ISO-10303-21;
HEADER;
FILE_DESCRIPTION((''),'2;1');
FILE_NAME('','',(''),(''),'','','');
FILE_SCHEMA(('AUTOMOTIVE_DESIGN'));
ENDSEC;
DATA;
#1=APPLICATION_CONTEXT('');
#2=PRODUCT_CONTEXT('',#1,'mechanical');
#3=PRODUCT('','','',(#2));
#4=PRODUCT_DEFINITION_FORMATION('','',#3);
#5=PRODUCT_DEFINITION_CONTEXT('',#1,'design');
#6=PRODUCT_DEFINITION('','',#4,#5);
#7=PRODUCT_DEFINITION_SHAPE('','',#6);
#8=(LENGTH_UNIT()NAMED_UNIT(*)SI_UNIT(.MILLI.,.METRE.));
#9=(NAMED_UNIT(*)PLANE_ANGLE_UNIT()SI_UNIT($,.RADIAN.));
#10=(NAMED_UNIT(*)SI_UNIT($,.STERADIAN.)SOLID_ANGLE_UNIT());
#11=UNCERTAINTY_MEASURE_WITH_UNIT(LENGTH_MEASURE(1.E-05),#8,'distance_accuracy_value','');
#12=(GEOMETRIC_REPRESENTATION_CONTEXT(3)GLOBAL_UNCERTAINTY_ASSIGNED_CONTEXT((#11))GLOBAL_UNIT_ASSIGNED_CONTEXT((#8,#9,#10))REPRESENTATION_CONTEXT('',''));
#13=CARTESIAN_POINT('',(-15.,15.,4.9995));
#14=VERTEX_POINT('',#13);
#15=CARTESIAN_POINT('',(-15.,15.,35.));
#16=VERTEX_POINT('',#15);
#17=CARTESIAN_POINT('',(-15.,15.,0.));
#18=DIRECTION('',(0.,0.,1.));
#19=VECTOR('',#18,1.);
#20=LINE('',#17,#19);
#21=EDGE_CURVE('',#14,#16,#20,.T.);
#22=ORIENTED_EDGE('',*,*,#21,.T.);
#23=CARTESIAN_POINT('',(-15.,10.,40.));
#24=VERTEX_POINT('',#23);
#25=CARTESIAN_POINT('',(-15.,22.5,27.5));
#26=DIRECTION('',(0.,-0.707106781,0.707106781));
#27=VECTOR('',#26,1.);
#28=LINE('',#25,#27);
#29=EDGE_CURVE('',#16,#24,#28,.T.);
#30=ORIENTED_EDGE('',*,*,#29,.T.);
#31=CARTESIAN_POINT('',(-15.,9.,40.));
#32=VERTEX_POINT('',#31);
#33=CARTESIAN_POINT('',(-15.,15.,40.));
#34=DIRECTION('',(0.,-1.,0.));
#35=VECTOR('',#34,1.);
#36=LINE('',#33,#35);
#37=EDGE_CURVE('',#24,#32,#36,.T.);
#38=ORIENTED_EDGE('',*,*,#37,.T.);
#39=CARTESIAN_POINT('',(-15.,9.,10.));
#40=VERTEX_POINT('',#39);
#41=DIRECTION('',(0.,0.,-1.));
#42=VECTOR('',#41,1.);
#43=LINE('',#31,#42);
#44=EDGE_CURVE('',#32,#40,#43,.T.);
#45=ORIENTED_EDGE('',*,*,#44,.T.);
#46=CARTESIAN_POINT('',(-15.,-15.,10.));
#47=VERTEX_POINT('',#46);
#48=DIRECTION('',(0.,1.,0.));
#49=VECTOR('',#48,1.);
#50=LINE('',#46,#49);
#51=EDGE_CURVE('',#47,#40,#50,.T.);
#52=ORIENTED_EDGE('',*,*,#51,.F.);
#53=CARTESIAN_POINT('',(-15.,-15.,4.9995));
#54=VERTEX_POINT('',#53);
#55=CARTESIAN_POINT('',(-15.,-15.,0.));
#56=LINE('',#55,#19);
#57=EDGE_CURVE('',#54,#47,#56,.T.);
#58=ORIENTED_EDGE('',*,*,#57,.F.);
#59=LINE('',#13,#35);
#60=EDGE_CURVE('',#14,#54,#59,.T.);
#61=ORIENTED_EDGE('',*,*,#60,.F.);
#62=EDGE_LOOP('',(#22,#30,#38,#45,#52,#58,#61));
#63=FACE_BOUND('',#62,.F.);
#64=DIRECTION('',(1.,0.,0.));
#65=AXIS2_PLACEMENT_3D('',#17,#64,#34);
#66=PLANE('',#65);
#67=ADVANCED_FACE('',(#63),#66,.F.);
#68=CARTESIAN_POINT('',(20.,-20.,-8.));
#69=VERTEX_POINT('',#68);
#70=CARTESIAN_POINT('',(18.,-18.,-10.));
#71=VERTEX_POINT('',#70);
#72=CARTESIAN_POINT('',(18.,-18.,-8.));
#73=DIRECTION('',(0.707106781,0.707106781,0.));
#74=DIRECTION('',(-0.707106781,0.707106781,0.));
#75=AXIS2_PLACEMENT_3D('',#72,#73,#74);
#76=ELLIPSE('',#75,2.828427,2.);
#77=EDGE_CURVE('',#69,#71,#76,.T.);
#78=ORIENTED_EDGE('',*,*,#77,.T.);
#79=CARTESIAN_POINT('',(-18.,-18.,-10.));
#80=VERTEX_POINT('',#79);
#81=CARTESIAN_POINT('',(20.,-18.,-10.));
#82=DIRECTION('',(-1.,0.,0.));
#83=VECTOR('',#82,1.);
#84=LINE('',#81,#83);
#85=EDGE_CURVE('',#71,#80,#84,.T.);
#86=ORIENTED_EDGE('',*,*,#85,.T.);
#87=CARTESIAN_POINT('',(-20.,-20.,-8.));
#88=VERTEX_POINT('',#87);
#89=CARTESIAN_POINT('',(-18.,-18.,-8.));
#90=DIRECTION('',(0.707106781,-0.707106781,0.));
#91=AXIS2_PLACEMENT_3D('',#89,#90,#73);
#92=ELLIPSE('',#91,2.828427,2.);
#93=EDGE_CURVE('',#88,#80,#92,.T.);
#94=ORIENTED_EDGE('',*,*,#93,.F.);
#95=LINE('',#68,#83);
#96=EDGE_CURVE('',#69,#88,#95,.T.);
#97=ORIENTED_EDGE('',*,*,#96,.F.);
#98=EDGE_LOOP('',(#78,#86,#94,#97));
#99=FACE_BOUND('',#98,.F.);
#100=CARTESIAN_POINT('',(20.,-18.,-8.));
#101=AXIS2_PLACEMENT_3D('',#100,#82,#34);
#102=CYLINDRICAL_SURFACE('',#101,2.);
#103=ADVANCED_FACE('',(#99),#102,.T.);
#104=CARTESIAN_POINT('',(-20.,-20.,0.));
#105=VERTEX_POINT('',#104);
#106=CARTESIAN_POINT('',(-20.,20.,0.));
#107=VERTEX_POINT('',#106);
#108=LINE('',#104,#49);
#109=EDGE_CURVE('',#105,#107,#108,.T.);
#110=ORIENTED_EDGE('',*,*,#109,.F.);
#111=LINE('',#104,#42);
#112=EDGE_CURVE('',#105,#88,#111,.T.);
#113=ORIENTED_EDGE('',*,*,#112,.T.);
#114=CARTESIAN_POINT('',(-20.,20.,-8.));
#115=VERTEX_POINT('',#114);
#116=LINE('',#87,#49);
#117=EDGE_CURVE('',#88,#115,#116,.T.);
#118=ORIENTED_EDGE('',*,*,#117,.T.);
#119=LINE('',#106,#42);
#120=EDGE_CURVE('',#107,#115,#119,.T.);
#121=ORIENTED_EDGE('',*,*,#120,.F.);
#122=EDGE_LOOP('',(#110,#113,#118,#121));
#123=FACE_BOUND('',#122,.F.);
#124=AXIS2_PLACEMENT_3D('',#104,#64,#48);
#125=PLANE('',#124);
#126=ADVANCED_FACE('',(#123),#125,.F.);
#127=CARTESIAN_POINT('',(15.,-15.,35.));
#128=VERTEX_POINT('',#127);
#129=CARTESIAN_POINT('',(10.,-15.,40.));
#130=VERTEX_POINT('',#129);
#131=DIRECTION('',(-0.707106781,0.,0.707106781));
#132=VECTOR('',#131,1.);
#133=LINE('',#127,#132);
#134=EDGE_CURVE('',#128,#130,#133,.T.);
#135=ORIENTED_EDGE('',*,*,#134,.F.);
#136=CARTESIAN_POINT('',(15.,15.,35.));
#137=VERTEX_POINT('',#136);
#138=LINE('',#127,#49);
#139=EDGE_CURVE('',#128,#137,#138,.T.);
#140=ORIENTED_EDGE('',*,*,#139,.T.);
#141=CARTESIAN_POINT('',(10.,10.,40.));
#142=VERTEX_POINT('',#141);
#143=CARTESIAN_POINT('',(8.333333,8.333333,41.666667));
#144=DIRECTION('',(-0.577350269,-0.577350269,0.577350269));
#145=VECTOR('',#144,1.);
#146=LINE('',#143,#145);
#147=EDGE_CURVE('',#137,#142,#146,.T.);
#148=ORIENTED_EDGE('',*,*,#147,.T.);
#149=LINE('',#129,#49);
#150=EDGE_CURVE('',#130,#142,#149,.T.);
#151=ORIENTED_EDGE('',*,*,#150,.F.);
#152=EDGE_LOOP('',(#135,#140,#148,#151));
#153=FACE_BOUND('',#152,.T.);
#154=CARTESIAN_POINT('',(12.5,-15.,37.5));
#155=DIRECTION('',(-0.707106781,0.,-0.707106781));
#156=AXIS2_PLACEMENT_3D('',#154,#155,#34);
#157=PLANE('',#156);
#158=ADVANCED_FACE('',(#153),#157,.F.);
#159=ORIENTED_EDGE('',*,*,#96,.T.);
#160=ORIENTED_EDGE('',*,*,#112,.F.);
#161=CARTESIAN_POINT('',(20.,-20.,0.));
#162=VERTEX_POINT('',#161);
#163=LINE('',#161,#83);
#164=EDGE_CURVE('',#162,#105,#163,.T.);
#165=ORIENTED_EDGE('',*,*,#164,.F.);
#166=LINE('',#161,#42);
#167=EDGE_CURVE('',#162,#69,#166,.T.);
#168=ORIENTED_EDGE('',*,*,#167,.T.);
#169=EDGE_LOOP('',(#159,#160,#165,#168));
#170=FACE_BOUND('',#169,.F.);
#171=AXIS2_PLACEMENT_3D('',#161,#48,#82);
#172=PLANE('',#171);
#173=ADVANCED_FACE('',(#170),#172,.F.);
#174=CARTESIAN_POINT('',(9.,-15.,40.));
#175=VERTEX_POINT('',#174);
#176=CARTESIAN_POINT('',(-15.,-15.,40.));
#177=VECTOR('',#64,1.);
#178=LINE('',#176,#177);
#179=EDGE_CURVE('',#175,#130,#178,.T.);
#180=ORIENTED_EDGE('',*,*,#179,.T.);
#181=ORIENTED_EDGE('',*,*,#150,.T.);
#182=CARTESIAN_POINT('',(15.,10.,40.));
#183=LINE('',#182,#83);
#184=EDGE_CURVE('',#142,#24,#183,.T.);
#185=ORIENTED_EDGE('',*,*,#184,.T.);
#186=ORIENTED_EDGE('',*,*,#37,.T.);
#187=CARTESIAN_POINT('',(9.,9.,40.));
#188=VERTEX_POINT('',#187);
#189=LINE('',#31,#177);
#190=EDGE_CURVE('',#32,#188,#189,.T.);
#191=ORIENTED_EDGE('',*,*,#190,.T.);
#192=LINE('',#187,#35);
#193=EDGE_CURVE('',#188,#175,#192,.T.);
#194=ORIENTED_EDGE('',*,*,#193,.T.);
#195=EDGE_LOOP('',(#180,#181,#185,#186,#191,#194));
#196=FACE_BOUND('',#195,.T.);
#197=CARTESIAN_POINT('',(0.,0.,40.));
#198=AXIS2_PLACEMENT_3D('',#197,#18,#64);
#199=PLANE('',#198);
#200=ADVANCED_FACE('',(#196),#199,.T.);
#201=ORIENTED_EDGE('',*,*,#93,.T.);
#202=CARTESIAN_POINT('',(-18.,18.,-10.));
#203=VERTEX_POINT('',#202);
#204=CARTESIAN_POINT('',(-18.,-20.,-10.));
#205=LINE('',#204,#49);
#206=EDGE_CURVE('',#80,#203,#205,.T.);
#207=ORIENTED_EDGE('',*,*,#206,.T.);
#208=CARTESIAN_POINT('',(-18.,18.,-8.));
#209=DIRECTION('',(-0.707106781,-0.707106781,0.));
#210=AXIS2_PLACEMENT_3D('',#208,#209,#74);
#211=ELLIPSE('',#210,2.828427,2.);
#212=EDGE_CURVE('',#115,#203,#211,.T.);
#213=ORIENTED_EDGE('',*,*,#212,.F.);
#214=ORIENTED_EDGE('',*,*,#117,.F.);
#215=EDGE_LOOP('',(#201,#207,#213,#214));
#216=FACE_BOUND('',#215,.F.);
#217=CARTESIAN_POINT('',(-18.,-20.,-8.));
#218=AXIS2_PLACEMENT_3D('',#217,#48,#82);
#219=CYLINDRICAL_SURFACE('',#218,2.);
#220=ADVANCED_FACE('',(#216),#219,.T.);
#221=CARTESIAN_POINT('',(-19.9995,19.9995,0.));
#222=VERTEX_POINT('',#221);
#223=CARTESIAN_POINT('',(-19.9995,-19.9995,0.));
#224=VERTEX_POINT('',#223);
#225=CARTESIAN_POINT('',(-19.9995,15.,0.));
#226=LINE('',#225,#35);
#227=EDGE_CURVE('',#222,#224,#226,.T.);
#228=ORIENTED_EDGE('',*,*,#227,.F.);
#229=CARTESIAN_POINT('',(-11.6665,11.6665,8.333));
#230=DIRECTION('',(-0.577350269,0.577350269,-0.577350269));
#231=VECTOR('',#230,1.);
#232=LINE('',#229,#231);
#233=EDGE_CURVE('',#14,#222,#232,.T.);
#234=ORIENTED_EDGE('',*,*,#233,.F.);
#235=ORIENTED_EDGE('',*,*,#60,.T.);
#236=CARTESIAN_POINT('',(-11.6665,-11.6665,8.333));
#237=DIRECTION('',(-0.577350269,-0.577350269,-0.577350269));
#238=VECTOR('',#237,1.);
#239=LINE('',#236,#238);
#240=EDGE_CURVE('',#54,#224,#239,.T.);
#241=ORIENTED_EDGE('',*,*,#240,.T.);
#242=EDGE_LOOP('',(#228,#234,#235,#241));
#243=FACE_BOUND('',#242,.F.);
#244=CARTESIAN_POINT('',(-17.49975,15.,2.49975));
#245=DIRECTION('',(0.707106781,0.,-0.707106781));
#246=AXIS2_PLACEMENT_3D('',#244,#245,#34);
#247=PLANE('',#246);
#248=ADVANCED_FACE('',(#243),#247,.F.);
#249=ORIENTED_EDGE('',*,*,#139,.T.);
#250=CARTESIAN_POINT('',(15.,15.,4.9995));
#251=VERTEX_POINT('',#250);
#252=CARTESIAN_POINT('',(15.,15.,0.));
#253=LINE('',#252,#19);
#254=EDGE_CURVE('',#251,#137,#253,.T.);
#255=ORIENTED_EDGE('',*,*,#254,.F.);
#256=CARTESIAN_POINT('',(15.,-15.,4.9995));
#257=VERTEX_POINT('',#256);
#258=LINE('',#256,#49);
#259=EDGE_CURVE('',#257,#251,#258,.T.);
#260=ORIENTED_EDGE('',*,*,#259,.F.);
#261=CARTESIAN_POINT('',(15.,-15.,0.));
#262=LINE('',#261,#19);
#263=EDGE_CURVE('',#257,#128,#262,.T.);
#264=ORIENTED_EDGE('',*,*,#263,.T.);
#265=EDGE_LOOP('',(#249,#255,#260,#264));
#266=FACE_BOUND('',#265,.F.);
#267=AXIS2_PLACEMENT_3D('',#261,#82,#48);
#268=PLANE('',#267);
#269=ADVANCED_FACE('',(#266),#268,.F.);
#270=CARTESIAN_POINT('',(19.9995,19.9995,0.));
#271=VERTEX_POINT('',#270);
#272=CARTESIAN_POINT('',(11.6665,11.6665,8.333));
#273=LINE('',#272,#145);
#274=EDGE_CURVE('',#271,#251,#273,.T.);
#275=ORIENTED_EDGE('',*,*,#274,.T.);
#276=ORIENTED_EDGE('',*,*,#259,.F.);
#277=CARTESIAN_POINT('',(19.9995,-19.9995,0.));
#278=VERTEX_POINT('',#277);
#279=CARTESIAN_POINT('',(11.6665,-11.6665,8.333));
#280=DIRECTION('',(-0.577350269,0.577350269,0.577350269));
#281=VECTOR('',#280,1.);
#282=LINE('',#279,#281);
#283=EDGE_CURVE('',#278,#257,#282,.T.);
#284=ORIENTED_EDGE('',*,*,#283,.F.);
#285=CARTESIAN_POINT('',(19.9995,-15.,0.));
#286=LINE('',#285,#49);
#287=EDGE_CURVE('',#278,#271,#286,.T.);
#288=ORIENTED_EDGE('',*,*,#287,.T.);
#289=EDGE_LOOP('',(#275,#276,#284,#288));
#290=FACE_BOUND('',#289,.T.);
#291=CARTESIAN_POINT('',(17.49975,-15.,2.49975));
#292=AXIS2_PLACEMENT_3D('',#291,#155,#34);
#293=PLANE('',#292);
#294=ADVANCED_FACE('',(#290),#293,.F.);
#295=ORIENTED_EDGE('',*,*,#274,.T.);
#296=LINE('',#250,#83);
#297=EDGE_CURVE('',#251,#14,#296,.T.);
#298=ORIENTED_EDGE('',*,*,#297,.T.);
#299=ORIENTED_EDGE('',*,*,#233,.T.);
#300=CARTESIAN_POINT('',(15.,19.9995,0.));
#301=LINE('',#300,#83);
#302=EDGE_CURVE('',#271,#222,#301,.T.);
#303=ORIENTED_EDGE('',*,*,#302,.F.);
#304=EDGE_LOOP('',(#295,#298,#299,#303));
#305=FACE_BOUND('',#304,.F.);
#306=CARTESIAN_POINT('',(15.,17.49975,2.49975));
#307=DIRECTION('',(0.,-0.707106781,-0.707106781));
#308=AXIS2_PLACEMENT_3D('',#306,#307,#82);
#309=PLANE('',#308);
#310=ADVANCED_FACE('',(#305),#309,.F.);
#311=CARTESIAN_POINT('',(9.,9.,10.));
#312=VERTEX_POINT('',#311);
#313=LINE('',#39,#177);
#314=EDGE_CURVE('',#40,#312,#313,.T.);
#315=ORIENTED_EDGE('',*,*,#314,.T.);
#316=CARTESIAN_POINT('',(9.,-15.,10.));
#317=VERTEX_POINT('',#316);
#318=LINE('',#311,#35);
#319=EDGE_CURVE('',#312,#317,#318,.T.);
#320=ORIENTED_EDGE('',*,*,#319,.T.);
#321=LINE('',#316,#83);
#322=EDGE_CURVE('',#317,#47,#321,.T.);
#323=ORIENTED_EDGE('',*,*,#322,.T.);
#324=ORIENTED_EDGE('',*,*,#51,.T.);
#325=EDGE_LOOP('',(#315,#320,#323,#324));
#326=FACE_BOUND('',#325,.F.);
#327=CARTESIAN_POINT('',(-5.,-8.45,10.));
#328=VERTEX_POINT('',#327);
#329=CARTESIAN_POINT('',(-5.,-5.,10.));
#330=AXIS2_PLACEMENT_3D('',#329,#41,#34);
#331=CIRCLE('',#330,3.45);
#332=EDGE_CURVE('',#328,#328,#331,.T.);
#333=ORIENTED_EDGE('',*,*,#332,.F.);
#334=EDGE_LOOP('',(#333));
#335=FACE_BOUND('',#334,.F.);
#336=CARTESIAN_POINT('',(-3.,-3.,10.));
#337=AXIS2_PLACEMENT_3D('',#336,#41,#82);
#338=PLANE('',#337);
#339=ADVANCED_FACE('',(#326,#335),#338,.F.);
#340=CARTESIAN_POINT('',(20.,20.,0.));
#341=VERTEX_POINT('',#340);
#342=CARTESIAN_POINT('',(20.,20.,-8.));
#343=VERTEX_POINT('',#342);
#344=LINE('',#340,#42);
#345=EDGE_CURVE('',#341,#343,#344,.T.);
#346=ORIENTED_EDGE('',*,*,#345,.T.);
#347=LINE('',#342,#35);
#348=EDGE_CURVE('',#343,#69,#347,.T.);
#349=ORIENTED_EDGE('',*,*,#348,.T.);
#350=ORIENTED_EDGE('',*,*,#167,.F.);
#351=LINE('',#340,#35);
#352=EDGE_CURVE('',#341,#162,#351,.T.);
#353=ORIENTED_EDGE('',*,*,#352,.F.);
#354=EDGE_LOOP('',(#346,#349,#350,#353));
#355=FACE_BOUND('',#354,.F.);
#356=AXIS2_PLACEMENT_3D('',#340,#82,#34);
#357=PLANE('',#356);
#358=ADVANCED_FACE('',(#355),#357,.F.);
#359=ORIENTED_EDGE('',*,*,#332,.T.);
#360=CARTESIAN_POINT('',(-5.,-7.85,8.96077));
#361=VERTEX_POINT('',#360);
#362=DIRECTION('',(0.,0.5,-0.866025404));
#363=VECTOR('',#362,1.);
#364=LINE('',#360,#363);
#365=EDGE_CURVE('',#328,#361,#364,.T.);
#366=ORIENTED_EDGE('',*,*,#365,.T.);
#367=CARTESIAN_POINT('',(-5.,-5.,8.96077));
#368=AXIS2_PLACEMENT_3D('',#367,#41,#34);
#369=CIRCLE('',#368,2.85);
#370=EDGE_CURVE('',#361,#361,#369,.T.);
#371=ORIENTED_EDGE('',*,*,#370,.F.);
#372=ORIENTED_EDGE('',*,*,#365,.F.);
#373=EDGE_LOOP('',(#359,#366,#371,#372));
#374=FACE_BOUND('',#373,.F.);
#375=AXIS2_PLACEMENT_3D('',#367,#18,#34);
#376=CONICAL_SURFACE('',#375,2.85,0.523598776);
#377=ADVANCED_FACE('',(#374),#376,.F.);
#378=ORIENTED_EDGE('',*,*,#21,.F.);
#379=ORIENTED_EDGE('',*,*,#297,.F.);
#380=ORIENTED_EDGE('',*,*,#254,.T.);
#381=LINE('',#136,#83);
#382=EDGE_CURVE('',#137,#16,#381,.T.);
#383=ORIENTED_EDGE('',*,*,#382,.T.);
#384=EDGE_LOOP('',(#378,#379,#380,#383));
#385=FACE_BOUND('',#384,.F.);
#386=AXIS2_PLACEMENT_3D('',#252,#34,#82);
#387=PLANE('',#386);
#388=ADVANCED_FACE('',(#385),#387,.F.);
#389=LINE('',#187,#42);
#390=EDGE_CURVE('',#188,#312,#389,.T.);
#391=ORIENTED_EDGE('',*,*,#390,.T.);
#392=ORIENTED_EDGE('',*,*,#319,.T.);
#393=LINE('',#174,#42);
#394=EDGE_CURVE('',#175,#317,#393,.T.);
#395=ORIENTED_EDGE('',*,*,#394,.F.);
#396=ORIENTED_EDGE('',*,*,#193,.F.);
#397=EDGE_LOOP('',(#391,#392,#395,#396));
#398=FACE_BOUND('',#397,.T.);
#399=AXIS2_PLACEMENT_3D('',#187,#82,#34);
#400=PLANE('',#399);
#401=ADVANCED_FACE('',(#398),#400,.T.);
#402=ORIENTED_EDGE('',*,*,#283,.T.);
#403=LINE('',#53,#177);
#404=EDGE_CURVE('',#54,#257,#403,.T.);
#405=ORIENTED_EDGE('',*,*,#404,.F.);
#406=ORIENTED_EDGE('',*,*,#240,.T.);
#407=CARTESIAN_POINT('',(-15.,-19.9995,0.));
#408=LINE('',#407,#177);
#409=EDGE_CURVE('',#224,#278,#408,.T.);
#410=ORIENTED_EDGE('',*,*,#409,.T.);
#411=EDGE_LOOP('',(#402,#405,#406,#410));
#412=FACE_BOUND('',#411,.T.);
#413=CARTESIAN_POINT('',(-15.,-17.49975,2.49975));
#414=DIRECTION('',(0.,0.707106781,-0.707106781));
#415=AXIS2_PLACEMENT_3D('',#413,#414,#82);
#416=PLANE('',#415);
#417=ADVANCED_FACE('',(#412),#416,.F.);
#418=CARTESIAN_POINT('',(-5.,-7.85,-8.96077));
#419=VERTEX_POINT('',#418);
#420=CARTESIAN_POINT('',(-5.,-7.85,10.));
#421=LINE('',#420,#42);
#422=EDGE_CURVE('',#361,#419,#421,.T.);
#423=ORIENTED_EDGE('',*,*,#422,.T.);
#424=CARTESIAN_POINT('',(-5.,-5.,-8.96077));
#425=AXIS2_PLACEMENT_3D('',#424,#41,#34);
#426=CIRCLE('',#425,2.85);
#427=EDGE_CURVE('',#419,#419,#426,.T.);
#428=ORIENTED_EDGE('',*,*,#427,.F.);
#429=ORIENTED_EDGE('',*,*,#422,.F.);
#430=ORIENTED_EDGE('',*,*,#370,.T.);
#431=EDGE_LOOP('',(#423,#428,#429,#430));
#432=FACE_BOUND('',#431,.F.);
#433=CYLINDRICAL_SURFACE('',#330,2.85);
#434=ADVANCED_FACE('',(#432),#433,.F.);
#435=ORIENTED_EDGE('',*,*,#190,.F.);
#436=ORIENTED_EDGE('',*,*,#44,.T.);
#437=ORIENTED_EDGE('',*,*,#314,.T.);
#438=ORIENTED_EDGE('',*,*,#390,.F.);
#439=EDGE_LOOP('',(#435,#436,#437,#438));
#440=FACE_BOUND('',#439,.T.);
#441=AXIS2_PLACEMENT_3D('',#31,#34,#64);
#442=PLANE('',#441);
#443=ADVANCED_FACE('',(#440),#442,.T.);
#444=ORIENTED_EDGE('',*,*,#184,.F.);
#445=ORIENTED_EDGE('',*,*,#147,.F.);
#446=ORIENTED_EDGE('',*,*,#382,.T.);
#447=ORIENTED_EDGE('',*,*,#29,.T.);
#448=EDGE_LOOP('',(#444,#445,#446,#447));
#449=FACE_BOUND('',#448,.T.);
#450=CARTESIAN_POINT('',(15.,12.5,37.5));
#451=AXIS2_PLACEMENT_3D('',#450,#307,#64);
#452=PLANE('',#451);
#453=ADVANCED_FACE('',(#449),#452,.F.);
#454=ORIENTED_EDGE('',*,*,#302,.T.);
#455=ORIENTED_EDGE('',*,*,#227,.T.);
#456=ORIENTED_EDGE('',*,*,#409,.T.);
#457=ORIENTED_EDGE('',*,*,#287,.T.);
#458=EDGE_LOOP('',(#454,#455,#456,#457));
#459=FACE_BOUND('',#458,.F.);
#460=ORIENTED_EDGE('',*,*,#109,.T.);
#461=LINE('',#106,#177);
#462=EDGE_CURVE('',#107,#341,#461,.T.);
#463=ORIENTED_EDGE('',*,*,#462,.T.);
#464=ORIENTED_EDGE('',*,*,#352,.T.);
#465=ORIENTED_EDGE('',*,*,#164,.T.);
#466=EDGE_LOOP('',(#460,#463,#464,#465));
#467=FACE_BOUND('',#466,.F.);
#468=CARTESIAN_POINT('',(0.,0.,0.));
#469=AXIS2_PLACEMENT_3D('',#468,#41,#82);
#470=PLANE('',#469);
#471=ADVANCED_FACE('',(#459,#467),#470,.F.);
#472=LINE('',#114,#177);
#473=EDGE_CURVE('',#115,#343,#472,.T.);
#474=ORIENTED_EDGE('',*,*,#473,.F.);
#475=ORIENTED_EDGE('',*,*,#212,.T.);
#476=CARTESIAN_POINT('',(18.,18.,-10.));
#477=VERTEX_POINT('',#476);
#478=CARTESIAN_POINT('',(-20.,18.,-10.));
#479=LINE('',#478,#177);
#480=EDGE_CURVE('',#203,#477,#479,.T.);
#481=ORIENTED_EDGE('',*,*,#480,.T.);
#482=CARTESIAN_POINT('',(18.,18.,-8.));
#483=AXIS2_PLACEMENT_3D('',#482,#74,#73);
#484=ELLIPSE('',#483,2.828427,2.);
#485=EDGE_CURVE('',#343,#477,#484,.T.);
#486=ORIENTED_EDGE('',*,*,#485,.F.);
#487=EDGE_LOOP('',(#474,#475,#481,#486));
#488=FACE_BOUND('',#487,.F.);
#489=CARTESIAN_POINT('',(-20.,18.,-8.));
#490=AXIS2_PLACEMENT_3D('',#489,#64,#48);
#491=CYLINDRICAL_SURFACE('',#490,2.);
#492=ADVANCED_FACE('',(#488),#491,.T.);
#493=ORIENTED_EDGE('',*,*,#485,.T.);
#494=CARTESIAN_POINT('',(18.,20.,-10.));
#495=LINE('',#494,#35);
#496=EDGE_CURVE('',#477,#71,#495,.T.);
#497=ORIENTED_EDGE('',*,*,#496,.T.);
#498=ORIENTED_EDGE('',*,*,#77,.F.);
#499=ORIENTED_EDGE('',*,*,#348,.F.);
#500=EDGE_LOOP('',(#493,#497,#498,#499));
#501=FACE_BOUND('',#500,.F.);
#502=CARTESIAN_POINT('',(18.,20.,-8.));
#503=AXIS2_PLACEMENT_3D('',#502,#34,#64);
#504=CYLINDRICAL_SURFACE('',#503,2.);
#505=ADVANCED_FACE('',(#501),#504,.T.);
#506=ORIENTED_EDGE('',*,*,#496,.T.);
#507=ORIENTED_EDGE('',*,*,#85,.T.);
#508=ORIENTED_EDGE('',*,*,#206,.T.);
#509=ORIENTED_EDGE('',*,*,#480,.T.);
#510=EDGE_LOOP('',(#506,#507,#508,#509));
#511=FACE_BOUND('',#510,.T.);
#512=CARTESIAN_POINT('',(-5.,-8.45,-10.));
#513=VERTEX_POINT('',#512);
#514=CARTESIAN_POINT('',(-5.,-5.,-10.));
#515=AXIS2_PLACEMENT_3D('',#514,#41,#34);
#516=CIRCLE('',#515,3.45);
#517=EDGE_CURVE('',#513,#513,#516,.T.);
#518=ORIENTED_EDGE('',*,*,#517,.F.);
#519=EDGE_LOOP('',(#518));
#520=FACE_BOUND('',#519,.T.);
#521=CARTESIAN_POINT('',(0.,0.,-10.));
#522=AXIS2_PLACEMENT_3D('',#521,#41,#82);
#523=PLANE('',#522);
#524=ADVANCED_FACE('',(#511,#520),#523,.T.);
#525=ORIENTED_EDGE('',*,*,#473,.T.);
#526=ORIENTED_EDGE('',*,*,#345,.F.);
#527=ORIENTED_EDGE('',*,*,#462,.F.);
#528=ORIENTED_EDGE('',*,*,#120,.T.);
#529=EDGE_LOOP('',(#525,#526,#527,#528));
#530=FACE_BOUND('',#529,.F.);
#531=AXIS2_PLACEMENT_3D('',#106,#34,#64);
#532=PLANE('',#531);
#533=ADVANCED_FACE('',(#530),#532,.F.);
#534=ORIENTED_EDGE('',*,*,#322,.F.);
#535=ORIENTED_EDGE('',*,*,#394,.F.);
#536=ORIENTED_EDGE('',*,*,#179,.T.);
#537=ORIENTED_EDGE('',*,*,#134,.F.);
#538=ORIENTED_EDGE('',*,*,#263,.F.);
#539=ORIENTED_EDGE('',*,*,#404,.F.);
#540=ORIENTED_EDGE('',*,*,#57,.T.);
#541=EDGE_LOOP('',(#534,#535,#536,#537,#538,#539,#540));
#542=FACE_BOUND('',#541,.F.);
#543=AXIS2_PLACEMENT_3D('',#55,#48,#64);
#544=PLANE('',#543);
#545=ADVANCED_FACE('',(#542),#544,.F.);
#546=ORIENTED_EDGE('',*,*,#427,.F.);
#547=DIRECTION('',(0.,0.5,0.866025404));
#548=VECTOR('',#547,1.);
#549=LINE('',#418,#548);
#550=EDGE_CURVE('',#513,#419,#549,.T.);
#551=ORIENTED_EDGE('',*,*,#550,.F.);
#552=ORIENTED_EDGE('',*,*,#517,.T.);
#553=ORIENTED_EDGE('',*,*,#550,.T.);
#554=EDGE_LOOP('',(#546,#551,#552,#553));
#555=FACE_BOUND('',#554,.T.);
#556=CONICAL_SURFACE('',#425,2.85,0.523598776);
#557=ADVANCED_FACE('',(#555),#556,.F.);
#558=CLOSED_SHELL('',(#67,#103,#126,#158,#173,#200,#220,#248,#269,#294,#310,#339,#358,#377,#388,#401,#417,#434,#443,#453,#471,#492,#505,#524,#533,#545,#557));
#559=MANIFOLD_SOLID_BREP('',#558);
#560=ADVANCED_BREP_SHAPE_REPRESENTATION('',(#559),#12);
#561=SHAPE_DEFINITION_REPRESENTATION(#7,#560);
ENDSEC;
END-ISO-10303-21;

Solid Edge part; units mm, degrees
sketch "Sketch1" plane through (0, 0, 0) normal (0, 0, 1) x (1, 0, 0)
  line L0 (-15, -15) -> (15, -15)
  line L1 (15, -15) -> (15, 15)
  line L2 (15, 15) -> (-15, 15)
  line L3 (-15, 15) -> (-15, -15)
  dimension "D1" = 30
extrude "Protrusion1" add sketch "Sketch1" along normal blind 40
sketch "Sketch2" plane through (0, 0, 0) normal (0, 0, -1) x (0, 1, 0)
  line L0 (-20, -20) -> (20, -20)
  line L1 (20, -20) -> (20, 20)
  line L2 (20, 20) -> (-20, 20)
  line L3 (-20, 20) -> (-20, -20)
  dimension "D1" = 40
extrude "ExtrudedProtrusion_2" add sketch "Sketch2" along normal blind 10
sketch "Sketch3" plane through (0, 0, 40) normal (0, 0, 1) x (1, 0, 0)
  line L0 (-15, 9) -> (9, 9)
  line L1 (9, 9) -> (9, -15)
  line L2 (9, -15) -> (-15, -15)
  line L3 (-15, -15) -> (-15, 9)
  dimension "D1" = 24
extrude "ExtrudedCutout_1" cut sketch "Sketch3" against normal blind 30
chamfer "Chamfer_1" distance 5 angle 45 2 edges at (15, 0, 40) (0, 15, 40)
chamfer "Chamfer_2" distance 5 angle 45 4 edges at (15, 0, 0) (0, 15, 0) (-15, 0, 0) (0, -15, 0)
fillet "Round_1" radius 2 4 edges at (-20, 0, -10) (0, 20, -10) (0, -20, -10) (20, 0, -10)
hole "Hole_1" at (-5, -5, 10) direction (0, 0, -1) diameter 5.7 depth 40 tip angle 118 start chamfer 0.6 start chamfer angle 30 end chamfer 0.6 end chamfer angle 30
properties material "Polyethylene, low density"
